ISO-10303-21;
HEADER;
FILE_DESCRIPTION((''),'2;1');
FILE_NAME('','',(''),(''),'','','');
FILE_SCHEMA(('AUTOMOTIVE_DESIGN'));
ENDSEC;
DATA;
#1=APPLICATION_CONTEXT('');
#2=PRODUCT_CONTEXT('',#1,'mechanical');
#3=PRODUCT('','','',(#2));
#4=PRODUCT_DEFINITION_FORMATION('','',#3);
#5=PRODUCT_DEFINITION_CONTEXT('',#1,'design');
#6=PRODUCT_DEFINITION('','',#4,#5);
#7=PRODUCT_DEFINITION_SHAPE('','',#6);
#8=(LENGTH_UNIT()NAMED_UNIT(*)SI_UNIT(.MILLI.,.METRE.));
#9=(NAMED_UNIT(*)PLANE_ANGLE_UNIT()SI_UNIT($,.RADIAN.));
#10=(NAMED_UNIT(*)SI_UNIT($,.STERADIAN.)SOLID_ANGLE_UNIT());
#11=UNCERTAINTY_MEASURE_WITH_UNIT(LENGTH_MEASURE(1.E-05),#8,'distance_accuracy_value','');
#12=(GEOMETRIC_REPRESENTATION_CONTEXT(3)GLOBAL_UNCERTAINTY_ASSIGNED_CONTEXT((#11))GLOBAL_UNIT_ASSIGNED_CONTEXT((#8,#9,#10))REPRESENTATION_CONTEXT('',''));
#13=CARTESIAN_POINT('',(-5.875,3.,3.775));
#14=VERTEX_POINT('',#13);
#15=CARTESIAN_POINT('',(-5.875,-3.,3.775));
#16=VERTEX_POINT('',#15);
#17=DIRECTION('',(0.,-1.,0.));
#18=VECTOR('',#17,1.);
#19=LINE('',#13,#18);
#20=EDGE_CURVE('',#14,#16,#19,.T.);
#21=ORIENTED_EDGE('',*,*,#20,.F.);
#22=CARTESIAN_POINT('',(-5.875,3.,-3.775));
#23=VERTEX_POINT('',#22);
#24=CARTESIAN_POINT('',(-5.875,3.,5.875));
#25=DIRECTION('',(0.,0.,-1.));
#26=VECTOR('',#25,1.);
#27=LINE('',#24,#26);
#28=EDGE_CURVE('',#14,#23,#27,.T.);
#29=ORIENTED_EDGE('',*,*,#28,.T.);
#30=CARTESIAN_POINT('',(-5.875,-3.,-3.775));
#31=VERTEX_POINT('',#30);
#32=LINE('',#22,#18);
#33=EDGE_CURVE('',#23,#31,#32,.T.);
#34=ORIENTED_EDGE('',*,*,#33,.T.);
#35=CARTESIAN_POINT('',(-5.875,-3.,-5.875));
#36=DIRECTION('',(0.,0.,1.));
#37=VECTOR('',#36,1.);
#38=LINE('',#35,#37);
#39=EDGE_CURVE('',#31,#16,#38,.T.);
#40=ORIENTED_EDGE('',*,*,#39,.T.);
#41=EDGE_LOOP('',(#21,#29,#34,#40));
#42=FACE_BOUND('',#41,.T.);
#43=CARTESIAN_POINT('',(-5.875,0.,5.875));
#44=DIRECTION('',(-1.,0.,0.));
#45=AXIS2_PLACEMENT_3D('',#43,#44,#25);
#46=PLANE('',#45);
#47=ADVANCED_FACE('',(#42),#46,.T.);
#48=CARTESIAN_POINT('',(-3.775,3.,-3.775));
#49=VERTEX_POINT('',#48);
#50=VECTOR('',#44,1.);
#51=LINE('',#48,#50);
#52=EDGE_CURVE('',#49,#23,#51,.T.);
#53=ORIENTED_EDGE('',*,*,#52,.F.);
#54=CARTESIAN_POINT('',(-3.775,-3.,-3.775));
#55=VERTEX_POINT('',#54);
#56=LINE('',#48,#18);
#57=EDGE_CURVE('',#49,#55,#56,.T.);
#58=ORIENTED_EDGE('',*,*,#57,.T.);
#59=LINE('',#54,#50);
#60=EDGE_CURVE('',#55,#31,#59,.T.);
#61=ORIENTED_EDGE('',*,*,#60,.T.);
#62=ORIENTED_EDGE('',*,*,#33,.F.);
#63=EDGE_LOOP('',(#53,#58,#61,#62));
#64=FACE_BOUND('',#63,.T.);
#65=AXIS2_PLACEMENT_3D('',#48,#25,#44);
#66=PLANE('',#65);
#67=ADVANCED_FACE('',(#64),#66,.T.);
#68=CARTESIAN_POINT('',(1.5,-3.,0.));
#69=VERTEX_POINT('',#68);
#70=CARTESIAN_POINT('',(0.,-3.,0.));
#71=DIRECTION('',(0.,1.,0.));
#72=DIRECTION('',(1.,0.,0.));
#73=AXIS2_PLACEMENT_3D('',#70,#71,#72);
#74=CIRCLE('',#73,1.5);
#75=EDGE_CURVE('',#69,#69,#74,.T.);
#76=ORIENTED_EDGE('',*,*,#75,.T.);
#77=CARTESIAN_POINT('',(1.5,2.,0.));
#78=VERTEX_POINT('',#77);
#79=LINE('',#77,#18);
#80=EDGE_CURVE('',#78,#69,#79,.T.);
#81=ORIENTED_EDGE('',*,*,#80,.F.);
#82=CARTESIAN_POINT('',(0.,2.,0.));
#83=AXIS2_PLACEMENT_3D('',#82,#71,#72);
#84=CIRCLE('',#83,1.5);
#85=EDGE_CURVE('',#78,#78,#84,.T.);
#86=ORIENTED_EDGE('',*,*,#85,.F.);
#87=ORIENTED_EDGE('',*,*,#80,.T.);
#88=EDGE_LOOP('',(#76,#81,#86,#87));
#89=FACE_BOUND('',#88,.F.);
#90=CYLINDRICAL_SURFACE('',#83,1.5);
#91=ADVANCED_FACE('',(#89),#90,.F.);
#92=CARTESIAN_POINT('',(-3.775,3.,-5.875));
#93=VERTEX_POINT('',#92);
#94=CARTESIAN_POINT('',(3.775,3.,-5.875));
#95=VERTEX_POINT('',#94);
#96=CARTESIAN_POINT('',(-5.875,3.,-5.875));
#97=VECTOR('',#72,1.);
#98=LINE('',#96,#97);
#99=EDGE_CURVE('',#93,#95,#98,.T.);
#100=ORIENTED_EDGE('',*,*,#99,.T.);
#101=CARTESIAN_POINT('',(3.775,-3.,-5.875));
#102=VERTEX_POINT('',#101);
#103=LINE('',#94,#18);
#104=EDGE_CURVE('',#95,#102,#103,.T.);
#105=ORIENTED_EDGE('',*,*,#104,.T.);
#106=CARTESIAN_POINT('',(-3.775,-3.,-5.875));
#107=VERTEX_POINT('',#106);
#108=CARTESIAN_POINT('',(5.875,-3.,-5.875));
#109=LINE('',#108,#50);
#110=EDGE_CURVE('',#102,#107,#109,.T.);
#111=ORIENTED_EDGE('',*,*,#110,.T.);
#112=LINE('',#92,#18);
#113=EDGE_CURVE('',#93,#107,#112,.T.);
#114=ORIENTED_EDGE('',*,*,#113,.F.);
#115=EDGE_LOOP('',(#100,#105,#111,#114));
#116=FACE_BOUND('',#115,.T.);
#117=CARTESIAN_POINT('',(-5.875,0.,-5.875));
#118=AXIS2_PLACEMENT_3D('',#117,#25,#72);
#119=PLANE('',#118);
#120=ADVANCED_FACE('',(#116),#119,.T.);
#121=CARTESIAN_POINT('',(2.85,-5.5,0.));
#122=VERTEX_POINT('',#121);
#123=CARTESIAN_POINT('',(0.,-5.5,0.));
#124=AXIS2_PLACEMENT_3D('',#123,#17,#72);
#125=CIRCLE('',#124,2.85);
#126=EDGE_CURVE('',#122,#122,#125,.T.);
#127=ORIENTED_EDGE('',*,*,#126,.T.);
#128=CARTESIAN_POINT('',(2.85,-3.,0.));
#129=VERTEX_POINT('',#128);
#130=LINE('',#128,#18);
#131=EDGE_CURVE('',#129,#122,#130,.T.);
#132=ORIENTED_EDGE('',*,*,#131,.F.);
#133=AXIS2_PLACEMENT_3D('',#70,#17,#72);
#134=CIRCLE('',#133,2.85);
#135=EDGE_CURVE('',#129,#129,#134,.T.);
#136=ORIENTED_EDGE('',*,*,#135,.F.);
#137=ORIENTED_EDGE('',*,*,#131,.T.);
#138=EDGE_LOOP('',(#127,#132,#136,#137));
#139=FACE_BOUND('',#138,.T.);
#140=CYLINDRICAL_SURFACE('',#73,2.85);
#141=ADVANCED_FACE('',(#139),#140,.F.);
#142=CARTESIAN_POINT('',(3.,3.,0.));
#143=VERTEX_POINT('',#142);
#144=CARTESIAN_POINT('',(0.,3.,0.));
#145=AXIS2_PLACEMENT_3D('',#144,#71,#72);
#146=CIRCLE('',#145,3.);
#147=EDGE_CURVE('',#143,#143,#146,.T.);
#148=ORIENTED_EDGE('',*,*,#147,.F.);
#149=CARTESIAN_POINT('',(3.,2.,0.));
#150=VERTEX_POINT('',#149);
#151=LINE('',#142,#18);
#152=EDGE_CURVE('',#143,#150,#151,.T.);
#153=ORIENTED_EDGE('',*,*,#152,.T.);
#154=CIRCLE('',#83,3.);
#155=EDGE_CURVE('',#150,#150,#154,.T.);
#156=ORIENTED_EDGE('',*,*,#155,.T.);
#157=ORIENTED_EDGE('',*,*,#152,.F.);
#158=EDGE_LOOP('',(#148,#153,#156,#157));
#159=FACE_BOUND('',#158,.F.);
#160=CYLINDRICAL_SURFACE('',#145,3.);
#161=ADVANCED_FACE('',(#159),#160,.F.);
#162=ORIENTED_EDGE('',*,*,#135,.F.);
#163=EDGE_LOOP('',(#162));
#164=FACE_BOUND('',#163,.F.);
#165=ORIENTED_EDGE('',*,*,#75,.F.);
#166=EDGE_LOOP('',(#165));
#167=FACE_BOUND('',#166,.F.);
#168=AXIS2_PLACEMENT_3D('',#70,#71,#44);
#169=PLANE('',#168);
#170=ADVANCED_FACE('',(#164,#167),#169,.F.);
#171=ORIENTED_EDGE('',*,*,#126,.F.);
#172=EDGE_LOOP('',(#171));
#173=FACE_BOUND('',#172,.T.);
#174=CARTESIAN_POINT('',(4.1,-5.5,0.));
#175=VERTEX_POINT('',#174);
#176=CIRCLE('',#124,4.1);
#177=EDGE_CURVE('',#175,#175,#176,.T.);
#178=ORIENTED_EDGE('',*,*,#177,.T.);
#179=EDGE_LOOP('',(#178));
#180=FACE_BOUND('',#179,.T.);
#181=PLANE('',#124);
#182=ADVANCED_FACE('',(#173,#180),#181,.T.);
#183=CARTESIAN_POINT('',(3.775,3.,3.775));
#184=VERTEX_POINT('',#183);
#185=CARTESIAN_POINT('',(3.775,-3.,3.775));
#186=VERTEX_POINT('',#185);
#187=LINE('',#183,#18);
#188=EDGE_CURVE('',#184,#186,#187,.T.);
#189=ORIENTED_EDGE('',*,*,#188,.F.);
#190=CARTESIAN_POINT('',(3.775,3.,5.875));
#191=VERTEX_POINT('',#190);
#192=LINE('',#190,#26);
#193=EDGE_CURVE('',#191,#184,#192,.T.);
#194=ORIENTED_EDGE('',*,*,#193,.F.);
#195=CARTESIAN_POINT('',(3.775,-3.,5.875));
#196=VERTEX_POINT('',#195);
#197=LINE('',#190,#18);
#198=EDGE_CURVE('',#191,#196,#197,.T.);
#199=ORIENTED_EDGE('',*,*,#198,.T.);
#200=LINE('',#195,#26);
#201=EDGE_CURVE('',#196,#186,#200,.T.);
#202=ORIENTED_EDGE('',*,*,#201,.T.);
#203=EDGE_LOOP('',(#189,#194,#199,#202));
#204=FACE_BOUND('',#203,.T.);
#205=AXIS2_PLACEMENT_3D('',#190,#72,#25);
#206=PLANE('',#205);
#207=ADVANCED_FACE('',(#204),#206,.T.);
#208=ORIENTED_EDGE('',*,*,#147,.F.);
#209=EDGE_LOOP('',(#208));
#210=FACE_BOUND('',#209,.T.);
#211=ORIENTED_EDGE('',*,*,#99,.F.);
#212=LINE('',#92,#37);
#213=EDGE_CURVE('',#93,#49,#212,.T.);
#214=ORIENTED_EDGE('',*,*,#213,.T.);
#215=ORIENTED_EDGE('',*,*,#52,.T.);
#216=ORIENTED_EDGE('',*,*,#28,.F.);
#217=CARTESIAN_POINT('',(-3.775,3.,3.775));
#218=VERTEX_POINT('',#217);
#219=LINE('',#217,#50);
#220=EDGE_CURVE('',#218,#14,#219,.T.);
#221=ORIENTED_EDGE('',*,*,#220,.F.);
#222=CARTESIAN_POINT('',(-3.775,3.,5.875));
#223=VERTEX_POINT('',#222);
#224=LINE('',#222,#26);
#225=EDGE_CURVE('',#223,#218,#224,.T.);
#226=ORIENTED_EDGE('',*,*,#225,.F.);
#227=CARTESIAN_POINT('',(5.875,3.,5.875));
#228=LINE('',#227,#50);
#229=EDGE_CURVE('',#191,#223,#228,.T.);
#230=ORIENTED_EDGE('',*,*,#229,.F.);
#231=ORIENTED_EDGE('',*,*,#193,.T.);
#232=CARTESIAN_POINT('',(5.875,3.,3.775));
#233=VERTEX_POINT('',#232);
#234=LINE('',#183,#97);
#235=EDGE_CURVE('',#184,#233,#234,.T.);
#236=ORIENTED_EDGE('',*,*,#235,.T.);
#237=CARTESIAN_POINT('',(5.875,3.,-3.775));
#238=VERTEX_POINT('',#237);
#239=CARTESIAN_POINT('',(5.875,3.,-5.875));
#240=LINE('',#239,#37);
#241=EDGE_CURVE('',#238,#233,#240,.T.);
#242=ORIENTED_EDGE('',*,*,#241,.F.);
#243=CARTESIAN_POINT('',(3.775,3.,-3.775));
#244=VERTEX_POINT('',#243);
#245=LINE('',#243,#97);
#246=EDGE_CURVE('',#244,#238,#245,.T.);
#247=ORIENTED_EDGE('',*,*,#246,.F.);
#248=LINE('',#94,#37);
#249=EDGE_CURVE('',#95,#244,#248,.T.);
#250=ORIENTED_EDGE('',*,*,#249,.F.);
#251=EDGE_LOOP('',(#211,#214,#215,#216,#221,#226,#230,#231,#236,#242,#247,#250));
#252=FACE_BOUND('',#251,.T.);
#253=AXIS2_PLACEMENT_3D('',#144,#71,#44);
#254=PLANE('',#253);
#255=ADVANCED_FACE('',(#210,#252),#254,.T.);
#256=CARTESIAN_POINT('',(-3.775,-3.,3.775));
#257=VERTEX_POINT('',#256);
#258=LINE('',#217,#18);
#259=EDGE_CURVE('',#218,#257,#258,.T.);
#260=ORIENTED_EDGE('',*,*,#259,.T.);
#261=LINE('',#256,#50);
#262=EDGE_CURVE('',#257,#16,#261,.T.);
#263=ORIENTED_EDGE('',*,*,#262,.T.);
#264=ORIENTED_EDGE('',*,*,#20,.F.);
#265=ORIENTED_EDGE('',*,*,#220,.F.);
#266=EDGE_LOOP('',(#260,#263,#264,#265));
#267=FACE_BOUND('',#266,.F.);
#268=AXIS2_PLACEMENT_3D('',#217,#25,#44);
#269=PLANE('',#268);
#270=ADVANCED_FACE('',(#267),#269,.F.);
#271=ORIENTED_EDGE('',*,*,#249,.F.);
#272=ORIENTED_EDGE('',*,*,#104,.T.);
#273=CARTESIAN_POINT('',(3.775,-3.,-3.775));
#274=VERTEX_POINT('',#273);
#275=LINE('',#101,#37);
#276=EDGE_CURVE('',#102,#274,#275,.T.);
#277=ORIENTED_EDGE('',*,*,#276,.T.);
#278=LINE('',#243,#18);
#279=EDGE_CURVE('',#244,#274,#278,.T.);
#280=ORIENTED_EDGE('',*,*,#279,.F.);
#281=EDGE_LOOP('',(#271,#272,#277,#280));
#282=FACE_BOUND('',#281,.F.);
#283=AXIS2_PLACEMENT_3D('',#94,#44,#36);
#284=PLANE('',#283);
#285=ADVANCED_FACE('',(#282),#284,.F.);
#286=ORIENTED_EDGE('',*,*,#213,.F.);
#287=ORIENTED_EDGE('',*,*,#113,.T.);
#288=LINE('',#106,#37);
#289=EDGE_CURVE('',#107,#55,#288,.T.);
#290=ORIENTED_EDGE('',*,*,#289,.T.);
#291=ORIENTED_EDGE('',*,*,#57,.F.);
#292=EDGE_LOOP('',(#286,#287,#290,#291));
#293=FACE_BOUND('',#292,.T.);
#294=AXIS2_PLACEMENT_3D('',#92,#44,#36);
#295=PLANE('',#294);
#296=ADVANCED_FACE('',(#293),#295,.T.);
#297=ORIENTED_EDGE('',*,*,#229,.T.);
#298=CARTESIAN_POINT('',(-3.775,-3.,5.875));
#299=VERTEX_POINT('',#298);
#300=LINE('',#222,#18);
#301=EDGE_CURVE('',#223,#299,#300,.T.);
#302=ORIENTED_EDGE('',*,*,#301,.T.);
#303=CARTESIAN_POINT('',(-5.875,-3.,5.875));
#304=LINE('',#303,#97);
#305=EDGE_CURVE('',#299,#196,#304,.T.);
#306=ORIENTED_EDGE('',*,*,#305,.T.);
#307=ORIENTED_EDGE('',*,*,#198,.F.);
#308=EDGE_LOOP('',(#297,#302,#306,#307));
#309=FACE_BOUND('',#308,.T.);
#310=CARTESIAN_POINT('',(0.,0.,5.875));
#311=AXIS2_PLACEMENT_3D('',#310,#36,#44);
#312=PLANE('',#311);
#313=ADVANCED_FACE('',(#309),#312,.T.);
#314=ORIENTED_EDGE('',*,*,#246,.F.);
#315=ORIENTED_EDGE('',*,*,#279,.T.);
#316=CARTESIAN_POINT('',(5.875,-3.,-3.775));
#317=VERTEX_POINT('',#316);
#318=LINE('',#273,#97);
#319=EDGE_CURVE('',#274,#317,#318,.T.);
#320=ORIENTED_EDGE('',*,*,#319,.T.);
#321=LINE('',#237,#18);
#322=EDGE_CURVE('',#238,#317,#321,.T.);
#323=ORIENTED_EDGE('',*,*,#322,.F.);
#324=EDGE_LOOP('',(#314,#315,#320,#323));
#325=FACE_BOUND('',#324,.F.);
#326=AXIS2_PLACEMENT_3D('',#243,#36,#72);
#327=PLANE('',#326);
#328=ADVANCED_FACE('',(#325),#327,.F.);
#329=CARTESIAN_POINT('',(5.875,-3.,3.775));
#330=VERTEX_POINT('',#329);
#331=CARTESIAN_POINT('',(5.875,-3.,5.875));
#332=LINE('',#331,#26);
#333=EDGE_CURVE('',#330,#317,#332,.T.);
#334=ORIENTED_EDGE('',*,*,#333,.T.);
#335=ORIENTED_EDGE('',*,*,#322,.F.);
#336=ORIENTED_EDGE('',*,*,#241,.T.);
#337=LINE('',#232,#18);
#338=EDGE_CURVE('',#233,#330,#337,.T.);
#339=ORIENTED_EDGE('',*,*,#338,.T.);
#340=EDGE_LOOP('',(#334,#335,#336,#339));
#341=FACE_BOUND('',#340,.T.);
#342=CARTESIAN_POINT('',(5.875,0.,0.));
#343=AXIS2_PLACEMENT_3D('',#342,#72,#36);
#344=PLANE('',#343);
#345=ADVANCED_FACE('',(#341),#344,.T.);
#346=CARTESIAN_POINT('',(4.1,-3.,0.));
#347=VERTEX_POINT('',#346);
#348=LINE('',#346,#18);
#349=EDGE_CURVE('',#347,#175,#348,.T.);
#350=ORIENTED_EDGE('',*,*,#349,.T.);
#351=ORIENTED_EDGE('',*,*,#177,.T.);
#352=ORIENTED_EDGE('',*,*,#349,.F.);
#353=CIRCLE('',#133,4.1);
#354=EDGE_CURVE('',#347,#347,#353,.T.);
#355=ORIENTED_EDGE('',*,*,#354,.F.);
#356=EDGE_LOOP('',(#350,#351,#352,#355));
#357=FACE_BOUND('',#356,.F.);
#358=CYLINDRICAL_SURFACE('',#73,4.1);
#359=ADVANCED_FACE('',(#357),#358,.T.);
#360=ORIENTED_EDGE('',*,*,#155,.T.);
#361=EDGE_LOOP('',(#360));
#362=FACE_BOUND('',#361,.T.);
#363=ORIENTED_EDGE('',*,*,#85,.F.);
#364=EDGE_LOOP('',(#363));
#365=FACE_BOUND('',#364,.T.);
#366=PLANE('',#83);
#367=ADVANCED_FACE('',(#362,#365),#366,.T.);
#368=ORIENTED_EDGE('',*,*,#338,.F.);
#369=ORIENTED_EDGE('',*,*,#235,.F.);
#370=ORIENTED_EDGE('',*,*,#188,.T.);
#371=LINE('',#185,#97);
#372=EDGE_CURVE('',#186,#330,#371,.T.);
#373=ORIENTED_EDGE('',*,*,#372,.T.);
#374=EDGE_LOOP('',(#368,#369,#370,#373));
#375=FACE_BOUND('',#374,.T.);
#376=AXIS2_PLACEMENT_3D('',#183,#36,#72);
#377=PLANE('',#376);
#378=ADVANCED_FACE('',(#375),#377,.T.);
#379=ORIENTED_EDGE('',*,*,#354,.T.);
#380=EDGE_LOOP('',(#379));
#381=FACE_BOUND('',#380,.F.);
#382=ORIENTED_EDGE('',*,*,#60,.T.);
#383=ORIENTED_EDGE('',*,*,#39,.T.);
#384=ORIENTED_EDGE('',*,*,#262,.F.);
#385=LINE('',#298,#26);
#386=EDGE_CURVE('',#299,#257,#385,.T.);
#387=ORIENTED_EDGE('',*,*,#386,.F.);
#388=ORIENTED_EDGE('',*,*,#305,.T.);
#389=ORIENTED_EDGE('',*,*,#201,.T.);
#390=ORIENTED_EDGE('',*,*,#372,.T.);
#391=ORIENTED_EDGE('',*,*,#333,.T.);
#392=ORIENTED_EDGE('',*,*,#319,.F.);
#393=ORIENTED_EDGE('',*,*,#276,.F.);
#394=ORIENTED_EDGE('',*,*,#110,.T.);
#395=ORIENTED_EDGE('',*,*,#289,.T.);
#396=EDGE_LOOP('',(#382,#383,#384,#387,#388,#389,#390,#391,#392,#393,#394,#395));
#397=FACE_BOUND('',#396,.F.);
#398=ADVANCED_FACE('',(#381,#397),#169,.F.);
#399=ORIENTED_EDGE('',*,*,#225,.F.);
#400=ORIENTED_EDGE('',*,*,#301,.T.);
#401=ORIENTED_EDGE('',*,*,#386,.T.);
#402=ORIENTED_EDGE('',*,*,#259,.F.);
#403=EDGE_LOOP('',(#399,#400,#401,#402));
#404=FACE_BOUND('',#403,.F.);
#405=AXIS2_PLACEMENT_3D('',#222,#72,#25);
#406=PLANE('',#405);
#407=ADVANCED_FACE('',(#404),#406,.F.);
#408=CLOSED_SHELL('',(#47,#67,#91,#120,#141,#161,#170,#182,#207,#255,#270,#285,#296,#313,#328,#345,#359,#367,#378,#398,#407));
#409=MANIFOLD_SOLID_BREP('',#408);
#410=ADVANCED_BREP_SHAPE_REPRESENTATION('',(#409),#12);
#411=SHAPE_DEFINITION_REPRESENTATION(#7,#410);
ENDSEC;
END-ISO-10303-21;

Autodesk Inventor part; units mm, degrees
ref_plane "YZ Plane" through (0, 0, 0) normal (1, 0, 0) x (0, 1, 0)
ref_plane "XZ Plane" through (0, 0, 0) normal (0, 1, 0) x (-1, 0, 0)
sketch "Skizze1" plane through (0, 0, 0) normal (0, 1, 0) x (-1, 0, 0)
  circle A0 centre (0, 0) radius 3.5
  line L0 (5.875, -5.875) -> (-5.875, -5.875)
  line L1 (-5.875, -5.875) -> (-5.875, 5.875)
  line L2 (-5.875, 5.875) -> (5.875, 5.875)
  line L3 (5.875, 5.875) -> (5.875, -5.875)
  line L4 (8.225, 0) -> (-8.225, 0) projected
  line L5 (0.75, 5.875) -> (-0.75, 5.875)
  line L6 (0, -8.225) -> (0, 8.225) projected
  point P0 (0.75, -5.875)
  point P1 (-5.875, -0.75)
  point P2 (5.875, -0.75)
  dimension "d1" = 7
  dimension "d2" = 11.75
  dimension "d3" = 11.75
extrude "Extrusion1" add sketch "Skizze1" along normal mid plane 6
sketch "Skizze2" plane through (0, 3, 0) normal (0, 1, 0) x (1, 0, 0)
  circle A0 centre (0, 0) radius 3
  dimension "d14" = 6
ref_plane "Arbeitsebene1" through (0, -0.5, 0) normal (0, 1, 0) x (1, 0, 0)
sketch "Skizze4" plane through (0, -3, 0) normal (0, -1, 0) x (1, 0, 0)
  circle A0 centre (0, 0) radius 2.85
  circle A1 centre (0, 0) radius 1.4 projected
  circle A2 centre (0, 0) radius 4.1
  dimension "d20" = 5.7
  dimension "d21" = 8.2
extrude "Extrusion4" add sketch "Skizze4" along normal blind 2.5 contours A2
sketch "Skizze5" plane through (0, 3, 0) normal (0, 1, 0) x (1, 0, 0)
  line L0 (-5.875, 5.875) -> (5.875, 5.875) projected
  line L1 (-5.875, 5.875) -> (-3.775, 5.875)
  line L2 (-3.775, 5.875) -> (-3.775, 3.775)
  line L3 (-3.775, 3.775) -> (-5.875, 3.775)
  line L4 (-5.875, 3.775) -> (-5.875, 5.875)
  line L5 (-5.875, 5.875) -> (5.875, 5.875) projected
  line L6 (5.875, 5.875) -> (3.775, 5.875)
  line L7 (3.775, 5.875) -> (3.775, 3.775)
  line L8 (3.775, 3.775) -> (5.875, 3.775)
  line L9 (5.875, 3.775) -> (5.875, 5.875)
  line L10 (-5.875, -5.875) -> (-5.875, 5.875) projected
  line L11 (-5.875, -5.875) -> (-3.775, -5.875)
  line L12 (-3.775, -5.875) -> (-3.775, -3.775)
  line L13 (-3.775, -3.775) -> (-5.875, -3.775)
  line L14 (-5.875, -3.775) -> (-5.875, -5.875)
  line L15 (5.875, -5.875) -> (-5.875, -5.875) projected
  line L16 (5.875, -5.875) -> (3.775, -5.875)
  line L17 (3.775, -5.875) -> (3.775, -3.775)
  line L18 (3.775, -3.775) -> (5.875, -3.775)
  line L19 (5.875, -3.775) -> (5.875, -5.875)
  point P0 (0, 0)
  point P1 (-0.75, 5.75)
  point P2 (0.75, 5.75)
  point P3 (-5.75, -0.75)
  point P4 (0.75, -5.75)
  dimension "d24" = 2.1
  dimension "d25" = 2.1
  dimension "d26" = 2.1
  dimension "d27" = 2.1
  dimension "d28" = 2.1
  dimension "d29" = 2.1
  dimension "d30" = 2.1
  dimension "d31" = 2.1
extrude "Extrusion5" cut sketch "Skizze5" against normal blind 6
extrude "Extrusion6" cut sketch "Skizze2" against normal blind 1
sketch "Skizze6" plane through (0, 2, 0) normal (0, 1, 0) x (1, 0, 0)
  circle A0 centre (0, 0) radius 1.5
  dimension "d38" = 3
extrude "Extrusion7" cut sketch "Skizze6" against normal up to surface (5 mm away)
properties part number "_3D-Druck"
